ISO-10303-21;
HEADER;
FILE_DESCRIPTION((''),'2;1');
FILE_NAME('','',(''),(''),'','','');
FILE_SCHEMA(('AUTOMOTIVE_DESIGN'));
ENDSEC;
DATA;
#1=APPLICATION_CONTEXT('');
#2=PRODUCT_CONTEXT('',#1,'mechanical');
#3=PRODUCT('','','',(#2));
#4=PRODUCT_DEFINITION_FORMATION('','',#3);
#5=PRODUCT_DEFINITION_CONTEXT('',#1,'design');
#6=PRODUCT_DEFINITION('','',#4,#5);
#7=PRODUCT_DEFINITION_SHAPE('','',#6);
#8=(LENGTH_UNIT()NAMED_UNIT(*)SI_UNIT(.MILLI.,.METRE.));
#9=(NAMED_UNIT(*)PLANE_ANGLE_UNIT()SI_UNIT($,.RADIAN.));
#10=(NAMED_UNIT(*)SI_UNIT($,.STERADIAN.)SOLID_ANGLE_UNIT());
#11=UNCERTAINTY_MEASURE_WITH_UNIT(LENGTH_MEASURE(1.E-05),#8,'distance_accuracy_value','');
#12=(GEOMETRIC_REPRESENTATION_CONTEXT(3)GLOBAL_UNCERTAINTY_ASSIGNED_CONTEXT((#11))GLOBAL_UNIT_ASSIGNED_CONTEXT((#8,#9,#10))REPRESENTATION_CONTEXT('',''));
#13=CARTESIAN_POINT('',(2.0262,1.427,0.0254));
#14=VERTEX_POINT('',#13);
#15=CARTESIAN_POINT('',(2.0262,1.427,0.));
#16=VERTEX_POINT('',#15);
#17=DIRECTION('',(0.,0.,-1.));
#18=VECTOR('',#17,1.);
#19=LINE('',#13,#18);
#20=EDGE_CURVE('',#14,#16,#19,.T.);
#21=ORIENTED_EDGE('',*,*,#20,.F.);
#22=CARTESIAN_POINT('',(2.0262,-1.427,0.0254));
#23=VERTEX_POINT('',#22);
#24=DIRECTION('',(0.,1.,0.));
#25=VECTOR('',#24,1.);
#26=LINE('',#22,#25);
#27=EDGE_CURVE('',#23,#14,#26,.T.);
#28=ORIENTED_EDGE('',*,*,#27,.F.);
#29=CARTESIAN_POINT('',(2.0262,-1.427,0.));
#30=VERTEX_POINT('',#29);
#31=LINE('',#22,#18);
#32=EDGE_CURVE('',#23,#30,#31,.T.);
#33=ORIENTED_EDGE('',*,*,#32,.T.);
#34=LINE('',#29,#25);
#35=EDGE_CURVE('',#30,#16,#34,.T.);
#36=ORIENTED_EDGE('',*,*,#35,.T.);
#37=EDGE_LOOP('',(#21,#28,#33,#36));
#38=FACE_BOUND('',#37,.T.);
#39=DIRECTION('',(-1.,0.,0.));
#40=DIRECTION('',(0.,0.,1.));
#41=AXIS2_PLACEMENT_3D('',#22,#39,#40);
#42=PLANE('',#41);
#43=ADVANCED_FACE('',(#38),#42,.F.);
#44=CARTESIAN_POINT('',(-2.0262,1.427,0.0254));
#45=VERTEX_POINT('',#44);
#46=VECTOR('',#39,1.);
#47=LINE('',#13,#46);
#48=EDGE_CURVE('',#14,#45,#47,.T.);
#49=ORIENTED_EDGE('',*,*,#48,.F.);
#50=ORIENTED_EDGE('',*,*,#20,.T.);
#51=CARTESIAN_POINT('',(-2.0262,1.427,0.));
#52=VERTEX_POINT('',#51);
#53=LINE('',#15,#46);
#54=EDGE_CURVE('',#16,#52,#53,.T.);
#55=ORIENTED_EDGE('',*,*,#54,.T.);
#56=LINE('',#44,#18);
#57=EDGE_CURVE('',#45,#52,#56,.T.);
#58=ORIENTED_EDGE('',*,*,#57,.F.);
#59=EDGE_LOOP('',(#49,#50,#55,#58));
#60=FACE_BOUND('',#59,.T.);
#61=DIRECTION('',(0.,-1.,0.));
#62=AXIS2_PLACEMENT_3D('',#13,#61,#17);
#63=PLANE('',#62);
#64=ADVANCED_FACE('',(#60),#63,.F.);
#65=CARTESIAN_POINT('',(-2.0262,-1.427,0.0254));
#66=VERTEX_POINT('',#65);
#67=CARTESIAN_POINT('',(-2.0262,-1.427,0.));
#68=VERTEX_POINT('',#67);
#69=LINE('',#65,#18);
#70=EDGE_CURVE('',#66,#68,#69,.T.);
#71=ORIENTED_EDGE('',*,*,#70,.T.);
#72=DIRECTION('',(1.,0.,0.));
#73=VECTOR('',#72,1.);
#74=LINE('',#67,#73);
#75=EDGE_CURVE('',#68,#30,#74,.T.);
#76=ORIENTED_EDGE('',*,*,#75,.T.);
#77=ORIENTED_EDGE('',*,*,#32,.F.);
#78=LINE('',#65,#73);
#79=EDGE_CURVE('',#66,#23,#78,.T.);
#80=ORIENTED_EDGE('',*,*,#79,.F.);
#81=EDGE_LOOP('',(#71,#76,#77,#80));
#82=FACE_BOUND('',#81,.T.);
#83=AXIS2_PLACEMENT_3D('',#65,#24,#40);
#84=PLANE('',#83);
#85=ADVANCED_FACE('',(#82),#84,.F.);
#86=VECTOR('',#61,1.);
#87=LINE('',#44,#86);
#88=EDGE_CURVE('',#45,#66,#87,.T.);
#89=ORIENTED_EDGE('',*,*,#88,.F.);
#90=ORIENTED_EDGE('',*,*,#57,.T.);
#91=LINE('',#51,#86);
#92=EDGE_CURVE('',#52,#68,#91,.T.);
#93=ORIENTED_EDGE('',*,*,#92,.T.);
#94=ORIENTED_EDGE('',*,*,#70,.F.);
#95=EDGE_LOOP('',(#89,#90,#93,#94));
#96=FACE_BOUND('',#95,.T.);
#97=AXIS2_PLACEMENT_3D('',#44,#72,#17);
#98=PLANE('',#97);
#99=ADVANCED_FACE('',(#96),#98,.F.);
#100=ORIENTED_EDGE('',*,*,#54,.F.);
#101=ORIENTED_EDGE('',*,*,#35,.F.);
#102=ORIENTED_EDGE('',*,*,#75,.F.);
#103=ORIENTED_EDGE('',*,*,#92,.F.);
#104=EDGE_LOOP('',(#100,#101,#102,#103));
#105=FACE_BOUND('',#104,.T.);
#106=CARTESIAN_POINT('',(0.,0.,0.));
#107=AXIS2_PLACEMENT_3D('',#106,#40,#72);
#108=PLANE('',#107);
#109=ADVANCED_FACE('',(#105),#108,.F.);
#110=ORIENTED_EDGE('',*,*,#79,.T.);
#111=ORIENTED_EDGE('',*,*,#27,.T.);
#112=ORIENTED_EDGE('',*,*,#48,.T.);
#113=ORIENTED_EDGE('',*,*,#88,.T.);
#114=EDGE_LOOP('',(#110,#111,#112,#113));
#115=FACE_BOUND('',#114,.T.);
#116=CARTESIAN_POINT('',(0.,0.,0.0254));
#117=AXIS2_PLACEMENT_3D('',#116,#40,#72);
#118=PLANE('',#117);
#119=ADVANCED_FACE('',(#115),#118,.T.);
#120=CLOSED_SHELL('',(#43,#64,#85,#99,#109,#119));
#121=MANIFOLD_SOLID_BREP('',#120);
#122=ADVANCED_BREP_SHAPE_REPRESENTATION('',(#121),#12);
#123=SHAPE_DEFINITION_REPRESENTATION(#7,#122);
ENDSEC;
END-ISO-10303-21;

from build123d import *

# Parameters (mm, degrees)
SKETCH1_W           = 4.0524
SKETCH1_H           = 2.854
BOSS_EXTRUDE1_DEPTH = 0.0254


with BuildPart() as part:
    # Sketch1 → Boss-Extrude1 (new body)
    with BuildSketch(Plane.XY):
        Rectangle(SKETCH1_W, SKETCH1_H)
    extrude(amount=BOSS_EXTRUDE1_DEPTH)


solid = part.part
